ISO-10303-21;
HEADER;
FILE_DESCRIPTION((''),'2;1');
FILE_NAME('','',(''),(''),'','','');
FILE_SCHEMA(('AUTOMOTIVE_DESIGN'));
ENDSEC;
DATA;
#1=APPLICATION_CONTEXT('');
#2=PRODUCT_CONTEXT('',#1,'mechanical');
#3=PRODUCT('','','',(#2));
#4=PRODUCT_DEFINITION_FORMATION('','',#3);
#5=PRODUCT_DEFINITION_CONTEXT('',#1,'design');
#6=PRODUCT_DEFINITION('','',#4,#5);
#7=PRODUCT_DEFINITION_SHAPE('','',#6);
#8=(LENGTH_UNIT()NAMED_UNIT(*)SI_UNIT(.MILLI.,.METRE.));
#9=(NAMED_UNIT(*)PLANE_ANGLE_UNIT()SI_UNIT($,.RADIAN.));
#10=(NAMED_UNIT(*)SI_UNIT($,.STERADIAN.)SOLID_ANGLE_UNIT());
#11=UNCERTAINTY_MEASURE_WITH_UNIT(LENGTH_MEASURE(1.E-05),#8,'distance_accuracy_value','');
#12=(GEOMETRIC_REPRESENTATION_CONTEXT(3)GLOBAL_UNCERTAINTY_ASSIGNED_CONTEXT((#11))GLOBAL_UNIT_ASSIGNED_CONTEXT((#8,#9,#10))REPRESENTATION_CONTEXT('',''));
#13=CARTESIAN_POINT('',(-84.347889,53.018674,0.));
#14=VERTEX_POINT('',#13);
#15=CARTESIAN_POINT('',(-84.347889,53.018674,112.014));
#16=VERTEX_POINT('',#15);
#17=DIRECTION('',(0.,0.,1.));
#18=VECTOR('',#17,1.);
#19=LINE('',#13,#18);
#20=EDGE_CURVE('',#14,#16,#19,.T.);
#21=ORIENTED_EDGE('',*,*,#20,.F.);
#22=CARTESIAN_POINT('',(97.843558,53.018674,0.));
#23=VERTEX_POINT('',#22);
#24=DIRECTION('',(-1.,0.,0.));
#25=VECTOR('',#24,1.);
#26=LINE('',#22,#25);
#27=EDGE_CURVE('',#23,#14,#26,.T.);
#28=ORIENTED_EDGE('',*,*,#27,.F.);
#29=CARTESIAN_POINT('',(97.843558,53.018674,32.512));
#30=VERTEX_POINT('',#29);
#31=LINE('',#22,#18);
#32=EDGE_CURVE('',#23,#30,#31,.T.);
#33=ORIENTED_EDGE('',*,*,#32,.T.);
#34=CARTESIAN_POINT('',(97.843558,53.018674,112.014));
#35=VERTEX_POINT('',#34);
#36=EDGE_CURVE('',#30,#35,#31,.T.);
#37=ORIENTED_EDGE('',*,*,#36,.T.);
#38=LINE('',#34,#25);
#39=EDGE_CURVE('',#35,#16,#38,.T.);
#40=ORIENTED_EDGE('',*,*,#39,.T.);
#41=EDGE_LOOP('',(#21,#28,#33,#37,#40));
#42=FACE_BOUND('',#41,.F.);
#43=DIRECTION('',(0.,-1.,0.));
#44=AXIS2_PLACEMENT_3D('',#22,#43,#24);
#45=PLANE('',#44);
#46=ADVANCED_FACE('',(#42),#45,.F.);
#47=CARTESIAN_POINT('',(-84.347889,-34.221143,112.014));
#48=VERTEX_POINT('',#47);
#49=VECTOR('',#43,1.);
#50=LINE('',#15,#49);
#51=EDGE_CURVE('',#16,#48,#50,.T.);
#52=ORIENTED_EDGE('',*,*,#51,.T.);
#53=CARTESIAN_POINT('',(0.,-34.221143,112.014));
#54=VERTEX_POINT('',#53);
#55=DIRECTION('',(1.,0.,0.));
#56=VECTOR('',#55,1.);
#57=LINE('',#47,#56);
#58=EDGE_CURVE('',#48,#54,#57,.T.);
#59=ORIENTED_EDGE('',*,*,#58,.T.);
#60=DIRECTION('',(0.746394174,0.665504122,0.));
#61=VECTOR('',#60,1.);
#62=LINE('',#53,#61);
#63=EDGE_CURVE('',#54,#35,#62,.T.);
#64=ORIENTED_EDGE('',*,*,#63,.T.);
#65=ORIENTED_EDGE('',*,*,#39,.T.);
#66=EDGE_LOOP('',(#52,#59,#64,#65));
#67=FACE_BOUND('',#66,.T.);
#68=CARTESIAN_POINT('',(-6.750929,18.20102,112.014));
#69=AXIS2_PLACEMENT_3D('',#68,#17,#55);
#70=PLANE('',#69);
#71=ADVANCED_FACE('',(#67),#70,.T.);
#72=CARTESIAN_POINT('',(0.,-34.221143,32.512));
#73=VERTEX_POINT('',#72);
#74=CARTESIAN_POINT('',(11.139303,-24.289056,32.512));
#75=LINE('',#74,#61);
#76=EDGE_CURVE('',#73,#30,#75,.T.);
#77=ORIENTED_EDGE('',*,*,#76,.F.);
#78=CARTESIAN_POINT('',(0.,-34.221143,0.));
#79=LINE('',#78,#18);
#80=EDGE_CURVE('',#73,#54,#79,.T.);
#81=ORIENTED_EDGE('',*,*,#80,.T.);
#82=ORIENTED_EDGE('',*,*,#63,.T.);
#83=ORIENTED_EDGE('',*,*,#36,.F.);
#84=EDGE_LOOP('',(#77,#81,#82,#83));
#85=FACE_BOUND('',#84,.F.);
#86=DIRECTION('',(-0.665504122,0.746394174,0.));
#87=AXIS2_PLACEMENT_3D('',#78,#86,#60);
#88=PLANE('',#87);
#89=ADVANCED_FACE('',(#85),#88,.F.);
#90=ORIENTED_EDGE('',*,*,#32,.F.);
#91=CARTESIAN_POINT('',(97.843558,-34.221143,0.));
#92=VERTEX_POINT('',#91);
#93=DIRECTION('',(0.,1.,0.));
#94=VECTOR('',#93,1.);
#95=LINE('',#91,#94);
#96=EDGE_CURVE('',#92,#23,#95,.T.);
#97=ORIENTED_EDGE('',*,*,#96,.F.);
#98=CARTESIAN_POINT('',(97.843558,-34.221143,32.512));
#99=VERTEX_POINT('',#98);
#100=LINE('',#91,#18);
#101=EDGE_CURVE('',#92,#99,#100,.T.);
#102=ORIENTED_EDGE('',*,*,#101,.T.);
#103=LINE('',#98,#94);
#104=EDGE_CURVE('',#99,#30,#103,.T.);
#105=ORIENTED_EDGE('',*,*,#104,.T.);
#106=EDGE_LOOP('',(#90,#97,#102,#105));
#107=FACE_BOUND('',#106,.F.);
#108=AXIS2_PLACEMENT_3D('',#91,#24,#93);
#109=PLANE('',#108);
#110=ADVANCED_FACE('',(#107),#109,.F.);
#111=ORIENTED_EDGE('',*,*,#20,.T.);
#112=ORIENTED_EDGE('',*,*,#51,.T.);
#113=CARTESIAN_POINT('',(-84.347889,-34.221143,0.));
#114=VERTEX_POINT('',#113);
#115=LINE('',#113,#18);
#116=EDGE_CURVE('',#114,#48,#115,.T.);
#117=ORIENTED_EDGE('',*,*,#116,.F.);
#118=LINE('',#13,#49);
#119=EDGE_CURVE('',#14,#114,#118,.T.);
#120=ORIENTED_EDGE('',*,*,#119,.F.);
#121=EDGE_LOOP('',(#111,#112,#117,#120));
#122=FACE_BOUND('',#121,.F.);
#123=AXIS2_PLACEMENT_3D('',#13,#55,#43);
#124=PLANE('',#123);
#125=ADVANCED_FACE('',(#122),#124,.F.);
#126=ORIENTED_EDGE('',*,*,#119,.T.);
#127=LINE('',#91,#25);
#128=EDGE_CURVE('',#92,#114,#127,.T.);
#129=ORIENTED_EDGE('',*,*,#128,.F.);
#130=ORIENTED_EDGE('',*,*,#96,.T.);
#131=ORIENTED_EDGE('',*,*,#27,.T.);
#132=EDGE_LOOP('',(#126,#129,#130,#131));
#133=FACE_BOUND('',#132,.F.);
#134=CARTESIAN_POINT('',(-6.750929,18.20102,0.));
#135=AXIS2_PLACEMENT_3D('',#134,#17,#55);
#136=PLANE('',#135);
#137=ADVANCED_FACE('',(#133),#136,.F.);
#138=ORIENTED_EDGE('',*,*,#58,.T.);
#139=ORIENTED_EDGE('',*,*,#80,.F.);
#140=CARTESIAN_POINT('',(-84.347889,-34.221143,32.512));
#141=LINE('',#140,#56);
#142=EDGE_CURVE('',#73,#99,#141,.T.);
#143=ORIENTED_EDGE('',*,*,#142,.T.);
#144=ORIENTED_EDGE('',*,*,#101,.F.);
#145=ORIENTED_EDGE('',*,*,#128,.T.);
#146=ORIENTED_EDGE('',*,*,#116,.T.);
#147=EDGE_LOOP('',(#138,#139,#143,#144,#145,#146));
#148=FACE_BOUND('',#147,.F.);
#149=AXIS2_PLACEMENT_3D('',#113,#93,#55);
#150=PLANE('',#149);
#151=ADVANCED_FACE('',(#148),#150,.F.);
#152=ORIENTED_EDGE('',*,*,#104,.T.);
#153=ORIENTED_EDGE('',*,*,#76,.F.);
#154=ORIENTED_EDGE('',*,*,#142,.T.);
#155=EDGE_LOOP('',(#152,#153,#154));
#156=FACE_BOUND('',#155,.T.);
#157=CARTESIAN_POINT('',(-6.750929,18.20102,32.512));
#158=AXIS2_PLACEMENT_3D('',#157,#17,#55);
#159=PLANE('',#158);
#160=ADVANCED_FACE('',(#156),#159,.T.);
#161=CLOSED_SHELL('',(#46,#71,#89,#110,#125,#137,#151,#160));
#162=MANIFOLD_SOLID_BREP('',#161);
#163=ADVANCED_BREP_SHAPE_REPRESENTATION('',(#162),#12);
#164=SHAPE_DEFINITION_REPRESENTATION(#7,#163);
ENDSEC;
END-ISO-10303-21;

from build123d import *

# Parameters (mm, degrees)
F1_DEPTH = 112.014
F2_DEPTH = 32.512


with BuildPart() as f1:
    # F0 (on Top) → F1 (new body)
    with BuildSketch(Plane.XY):
        Polygon((97.843558, 53.018674), (-84.347889, 53.018674), (-84.347889, -34.221143), (0, -34.221143), align=None)
    extrude(amount=F1_DEPTH)

    # F0 (on Top) → F2 (join)
    with BuildSketch(Plane.XY):
        Polygon((97.843558, 53.018674), (-84.347889, 53.018674), (-84.347889, -34.221143), (0, -34.221143), align=None)
        Polygon((97.843558, -34.221143), (97.843558, 53.018674), (0, -34.221143), align=None)
    extrude(amount=F2_DEPTH)


solid = f1.part
